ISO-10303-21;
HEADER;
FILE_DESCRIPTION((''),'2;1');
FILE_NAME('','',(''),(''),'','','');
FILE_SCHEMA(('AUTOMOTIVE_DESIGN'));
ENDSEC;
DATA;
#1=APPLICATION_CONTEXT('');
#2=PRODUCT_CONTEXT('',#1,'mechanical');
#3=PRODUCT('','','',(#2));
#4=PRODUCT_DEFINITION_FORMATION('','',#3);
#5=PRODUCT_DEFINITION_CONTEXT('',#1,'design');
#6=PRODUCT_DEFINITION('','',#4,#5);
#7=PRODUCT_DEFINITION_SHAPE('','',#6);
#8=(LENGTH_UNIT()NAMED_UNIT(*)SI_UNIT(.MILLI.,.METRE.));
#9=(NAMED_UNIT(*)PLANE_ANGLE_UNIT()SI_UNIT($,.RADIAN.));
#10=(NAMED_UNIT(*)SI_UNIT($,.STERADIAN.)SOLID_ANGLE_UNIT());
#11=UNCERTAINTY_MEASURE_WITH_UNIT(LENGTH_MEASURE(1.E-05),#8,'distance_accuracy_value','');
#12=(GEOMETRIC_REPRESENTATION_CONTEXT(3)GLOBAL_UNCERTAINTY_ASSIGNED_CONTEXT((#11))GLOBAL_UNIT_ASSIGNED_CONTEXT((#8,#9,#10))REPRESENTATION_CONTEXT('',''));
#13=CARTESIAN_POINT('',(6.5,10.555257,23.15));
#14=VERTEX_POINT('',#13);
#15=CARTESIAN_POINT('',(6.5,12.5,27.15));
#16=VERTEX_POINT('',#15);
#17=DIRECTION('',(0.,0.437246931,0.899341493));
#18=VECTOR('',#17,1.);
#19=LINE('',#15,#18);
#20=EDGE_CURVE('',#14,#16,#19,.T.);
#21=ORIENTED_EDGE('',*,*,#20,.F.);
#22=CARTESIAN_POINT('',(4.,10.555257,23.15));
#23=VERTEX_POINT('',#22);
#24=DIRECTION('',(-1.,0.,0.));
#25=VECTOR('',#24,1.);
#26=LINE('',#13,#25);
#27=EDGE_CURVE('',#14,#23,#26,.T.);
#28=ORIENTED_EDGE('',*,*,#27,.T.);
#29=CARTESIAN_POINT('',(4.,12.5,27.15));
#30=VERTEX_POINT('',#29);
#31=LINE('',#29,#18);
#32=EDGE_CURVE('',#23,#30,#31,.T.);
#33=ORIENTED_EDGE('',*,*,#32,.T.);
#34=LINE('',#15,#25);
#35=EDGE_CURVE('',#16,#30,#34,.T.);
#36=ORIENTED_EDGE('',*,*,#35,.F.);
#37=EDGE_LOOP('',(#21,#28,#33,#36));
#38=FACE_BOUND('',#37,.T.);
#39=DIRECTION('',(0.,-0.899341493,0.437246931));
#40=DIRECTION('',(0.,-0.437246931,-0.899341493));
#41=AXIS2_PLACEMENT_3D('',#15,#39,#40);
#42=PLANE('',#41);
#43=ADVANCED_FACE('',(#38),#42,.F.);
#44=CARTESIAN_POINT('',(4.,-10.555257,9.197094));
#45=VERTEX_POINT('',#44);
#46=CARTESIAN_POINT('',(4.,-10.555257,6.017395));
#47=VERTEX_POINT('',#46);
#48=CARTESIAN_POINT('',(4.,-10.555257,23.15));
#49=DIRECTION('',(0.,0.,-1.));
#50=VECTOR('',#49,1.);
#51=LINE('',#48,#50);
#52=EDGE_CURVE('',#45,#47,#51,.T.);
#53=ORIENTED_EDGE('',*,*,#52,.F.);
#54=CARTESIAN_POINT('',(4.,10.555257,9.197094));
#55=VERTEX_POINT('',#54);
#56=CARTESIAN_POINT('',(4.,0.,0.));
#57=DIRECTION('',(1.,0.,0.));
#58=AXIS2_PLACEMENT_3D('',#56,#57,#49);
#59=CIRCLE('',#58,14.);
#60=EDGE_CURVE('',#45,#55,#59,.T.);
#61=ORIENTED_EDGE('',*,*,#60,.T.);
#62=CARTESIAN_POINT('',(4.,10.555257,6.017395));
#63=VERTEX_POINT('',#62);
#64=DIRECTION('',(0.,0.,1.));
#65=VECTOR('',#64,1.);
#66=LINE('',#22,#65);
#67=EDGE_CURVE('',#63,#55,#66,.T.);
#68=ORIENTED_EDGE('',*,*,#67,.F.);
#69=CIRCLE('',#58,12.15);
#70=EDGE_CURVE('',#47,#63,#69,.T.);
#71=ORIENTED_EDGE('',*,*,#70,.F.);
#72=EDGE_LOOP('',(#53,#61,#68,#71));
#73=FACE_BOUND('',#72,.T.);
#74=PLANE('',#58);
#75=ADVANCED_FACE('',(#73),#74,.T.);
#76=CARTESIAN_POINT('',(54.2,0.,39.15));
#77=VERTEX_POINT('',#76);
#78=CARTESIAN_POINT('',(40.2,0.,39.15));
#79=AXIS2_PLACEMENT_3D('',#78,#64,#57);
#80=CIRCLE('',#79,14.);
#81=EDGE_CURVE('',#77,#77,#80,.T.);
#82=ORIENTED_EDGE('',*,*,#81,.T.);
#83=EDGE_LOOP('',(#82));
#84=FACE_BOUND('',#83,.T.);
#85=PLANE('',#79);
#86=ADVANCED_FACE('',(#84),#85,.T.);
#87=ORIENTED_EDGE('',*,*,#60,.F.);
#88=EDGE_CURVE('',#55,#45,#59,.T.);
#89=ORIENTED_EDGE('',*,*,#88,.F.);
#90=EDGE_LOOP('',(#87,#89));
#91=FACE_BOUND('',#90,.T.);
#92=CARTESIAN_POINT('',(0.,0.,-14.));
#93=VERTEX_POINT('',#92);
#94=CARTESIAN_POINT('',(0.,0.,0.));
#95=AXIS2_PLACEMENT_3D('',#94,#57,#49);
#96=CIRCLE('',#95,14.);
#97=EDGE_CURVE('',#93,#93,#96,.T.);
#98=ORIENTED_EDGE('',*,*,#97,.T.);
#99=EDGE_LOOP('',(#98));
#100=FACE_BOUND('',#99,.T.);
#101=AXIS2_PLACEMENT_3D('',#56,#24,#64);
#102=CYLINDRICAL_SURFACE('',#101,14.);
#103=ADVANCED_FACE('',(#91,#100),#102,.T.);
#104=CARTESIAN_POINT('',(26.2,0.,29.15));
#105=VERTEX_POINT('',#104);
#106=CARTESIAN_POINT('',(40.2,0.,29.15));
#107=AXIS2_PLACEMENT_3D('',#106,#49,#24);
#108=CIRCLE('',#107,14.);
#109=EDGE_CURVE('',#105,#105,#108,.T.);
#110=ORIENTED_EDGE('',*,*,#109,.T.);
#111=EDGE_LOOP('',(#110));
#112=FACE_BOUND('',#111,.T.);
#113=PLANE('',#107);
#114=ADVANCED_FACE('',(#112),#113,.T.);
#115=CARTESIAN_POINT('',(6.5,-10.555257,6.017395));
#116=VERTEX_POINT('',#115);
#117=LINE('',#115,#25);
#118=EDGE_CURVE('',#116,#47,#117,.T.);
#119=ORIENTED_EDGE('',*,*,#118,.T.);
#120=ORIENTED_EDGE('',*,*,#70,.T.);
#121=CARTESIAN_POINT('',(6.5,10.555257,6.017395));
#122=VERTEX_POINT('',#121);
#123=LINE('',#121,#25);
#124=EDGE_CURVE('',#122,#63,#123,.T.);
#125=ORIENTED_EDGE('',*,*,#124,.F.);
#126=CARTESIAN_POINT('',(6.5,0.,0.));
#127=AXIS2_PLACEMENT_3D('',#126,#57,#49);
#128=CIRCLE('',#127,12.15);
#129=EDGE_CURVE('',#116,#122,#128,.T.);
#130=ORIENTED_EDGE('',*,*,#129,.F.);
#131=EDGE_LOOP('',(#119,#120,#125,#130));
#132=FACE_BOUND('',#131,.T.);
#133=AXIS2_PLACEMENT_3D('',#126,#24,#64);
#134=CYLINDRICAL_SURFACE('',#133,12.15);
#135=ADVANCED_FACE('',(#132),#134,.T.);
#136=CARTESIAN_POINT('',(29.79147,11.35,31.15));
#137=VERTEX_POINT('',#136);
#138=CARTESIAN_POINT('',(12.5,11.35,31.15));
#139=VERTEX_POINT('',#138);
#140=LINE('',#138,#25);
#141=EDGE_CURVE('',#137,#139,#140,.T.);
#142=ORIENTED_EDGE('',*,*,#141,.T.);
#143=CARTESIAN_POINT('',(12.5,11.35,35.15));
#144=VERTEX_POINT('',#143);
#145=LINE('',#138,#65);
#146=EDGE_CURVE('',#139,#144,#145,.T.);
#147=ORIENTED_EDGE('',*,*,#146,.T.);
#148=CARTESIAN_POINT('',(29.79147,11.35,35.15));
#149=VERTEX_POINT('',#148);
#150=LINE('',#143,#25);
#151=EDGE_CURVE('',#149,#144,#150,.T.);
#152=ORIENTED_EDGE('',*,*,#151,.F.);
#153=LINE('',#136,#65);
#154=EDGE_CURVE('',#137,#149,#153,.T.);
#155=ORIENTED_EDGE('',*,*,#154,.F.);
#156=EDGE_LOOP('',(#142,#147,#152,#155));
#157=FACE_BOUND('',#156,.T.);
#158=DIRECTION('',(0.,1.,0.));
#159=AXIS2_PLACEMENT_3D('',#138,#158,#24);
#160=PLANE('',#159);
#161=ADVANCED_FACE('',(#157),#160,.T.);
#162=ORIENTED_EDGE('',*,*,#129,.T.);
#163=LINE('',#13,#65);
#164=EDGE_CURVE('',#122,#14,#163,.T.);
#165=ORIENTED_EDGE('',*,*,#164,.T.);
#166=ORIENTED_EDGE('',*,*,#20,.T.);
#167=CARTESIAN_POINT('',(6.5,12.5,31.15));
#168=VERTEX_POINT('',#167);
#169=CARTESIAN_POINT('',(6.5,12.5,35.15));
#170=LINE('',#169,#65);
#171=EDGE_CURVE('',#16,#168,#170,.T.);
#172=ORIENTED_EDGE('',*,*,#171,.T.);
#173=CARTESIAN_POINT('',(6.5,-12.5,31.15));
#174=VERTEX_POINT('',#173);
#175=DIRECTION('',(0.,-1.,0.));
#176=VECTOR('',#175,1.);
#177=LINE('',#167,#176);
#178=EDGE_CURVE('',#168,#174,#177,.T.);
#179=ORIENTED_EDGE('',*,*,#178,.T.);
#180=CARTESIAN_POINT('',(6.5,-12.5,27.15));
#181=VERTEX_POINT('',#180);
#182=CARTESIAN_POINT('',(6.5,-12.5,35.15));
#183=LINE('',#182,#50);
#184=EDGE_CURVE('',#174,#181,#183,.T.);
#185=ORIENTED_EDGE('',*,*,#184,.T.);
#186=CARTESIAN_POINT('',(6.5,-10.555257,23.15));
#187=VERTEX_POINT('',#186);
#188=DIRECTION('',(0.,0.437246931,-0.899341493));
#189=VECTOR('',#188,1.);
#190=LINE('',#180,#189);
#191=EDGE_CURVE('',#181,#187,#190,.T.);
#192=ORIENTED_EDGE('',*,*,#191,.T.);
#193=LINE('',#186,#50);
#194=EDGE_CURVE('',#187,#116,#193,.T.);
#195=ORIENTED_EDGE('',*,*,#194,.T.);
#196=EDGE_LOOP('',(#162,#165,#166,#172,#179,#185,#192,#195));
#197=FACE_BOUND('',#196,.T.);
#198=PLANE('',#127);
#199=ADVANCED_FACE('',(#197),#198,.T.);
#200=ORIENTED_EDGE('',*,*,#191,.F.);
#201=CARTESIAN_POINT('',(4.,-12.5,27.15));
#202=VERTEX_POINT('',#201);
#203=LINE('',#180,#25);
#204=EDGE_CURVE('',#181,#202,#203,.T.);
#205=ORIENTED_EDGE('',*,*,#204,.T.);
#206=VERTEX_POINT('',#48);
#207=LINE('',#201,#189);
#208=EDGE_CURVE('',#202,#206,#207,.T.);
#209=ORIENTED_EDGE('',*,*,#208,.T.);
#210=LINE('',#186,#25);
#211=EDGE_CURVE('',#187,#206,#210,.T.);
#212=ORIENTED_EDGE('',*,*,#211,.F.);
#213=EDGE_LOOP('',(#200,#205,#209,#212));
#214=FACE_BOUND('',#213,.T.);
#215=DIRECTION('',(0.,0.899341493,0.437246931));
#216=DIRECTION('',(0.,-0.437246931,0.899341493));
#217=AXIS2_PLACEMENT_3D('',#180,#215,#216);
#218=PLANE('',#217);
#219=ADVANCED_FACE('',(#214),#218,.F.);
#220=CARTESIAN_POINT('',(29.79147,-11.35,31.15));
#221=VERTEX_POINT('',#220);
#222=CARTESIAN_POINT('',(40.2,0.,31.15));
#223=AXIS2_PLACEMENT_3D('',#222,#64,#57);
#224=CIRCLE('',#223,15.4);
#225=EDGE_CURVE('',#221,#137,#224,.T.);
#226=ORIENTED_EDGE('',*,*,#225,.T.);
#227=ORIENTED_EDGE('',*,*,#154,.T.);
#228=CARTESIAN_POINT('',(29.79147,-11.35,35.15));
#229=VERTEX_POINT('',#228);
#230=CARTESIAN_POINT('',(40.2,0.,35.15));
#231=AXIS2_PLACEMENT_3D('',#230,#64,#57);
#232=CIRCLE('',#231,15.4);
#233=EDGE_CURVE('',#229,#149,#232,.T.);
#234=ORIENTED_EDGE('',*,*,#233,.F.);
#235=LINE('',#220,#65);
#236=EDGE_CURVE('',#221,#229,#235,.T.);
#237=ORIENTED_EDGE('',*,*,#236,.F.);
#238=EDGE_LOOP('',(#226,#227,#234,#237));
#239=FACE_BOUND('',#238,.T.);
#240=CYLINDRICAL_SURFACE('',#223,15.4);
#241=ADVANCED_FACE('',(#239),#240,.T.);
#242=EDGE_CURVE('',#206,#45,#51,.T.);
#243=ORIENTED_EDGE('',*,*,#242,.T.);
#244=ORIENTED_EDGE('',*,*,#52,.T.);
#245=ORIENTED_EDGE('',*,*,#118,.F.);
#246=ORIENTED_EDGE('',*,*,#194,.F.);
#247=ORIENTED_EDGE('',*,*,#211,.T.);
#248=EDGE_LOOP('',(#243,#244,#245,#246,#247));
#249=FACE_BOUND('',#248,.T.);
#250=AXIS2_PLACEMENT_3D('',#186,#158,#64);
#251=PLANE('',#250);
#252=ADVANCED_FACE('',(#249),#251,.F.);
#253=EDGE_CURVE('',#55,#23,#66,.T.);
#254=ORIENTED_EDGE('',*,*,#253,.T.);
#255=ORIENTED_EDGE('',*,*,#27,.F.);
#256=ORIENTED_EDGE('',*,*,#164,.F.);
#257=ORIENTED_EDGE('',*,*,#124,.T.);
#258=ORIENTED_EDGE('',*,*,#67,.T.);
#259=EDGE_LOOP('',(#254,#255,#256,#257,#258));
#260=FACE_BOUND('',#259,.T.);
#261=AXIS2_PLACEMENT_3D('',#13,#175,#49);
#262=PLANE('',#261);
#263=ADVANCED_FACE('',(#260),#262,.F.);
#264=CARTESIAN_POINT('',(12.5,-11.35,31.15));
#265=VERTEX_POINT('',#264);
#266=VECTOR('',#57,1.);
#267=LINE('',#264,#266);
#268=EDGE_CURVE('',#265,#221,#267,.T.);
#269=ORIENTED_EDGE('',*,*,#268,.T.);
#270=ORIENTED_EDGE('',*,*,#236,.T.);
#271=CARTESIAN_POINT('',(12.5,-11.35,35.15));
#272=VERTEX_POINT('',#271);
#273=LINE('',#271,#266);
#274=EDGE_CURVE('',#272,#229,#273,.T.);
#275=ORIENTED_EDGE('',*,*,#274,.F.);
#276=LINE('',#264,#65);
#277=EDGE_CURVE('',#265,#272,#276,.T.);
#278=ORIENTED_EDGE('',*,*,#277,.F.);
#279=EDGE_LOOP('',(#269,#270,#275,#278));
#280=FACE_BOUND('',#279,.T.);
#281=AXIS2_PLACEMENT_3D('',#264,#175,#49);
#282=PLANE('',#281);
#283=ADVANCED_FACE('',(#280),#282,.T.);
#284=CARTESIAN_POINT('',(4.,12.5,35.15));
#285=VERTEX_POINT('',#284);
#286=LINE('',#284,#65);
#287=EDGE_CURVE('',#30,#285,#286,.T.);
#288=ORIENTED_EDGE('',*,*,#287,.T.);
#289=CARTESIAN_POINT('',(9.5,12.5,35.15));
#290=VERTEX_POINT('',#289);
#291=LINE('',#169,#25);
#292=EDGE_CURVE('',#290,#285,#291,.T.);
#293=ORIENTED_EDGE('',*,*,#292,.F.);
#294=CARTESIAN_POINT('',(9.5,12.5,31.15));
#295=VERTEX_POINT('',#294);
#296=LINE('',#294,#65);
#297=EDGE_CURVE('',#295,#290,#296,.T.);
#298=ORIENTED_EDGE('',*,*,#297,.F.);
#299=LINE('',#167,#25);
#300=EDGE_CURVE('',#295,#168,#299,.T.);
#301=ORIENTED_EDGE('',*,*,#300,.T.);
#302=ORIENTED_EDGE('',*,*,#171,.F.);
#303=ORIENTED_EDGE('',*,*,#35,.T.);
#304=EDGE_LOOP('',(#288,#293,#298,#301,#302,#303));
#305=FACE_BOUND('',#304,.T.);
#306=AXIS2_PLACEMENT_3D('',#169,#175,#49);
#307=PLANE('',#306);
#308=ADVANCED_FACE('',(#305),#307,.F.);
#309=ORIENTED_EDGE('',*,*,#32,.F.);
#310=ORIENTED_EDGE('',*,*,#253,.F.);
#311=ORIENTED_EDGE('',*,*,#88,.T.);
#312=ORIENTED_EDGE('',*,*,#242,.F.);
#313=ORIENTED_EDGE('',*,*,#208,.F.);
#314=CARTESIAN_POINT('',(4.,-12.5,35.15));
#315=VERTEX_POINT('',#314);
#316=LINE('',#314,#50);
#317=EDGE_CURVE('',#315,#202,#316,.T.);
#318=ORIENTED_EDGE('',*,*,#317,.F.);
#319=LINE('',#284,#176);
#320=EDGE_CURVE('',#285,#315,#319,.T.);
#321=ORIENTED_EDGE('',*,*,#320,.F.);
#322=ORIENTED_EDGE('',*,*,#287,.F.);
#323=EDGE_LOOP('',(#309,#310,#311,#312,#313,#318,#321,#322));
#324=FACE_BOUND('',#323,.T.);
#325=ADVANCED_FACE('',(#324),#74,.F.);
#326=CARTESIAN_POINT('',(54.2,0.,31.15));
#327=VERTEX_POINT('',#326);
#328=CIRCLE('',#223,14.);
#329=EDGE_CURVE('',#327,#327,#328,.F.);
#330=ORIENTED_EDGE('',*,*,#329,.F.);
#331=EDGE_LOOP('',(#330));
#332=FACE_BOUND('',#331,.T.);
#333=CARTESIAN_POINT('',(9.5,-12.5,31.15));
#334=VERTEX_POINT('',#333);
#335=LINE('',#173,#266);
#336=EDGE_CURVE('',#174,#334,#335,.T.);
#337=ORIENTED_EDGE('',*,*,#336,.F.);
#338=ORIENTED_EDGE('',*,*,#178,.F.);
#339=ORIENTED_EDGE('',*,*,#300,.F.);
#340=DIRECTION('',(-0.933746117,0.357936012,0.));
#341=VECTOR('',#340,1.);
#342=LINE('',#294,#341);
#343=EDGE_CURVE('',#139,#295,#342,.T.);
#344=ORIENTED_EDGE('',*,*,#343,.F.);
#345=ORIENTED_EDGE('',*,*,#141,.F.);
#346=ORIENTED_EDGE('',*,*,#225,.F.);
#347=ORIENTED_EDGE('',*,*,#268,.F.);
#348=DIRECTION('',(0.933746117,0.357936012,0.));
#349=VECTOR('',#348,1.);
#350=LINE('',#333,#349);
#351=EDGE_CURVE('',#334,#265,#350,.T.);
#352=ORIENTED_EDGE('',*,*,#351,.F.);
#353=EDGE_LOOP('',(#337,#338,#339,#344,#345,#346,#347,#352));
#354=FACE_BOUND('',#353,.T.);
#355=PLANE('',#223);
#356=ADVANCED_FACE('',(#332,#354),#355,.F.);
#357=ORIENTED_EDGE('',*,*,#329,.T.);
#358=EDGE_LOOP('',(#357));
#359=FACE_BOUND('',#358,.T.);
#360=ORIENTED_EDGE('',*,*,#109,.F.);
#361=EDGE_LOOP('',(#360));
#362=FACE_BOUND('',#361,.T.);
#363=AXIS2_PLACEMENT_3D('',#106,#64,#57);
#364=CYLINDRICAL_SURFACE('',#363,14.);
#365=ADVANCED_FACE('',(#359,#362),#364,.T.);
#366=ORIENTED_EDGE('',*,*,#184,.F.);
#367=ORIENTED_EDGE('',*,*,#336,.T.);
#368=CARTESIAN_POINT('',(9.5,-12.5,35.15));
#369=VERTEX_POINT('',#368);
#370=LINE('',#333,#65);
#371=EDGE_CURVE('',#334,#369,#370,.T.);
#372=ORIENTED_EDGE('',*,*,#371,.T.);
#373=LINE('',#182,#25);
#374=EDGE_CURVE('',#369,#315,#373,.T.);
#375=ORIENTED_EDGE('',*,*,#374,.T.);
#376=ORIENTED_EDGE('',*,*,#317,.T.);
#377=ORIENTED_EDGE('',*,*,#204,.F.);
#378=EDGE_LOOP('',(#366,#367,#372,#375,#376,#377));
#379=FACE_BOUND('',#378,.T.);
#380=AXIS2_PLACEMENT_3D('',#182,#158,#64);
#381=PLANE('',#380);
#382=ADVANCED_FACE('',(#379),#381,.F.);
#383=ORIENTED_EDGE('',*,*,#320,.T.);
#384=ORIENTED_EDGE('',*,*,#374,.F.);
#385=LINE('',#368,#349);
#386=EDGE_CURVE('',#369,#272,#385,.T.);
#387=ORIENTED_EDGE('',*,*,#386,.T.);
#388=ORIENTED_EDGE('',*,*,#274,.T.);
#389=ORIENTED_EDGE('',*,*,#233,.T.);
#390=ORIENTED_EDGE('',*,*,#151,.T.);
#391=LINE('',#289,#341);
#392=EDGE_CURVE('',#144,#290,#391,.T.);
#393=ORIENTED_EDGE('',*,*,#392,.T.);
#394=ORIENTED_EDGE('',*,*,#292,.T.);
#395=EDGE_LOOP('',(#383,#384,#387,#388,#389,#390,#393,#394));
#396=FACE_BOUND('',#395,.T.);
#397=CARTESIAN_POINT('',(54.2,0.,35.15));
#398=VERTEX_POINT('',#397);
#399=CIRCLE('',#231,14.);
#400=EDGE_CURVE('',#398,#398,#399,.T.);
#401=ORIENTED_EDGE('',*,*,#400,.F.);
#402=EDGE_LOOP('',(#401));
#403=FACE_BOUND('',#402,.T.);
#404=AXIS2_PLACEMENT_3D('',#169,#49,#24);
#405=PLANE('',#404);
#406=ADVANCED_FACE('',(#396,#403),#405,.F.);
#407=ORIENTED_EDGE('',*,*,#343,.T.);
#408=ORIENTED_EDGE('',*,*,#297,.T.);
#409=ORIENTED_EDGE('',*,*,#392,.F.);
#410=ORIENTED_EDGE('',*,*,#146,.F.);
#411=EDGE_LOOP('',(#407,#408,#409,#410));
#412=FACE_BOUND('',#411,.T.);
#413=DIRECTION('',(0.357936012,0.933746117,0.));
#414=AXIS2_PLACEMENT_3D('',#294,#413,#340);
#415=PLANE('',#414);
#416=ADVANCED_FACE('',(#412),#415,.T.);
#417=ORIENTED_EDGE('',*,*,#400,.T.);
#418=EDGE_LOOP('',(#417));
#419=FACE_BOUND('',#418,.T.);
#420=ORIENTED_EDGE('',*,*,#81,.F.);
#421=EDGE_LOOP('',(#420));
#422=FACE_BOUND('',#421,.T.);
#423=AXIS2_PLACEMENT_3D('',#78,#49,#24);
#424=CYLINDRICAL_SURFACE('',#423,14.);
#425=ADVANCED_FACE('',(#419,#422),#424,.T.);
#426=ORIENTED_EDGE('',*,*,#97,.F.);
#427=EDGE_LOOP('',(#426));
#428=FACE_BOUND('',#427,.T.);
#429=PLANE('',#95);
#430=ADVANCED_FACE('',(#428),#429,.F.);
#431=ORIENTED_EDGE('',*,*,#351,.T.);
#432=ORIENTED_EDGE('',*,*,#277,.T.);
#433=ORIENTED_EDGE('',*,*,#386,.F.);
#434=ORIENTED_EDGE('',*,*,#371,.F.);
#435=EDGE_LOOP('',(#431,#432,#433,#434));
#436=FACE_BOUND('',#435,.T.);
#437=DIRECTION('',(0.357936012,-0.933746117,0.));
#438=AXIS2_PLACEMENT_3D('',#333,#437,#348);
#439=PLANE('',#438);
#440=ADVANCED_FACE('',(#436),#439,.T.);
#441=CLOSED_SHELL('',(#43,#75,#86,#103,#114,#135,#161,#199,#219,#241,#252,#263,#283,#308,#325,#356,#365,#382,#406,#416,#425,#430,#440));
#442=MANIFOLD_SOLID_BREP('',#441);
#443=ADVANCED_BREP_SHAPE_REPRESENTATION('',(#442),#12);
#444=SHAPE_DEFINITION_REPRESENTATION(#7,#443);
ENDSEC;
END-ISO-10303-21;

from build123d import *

# Parameters (mm, degrees)
SKETCH2_R           = 14
BOSS_EXTRUDE1_DEPTH = 4
BOSS_EXTRUDE2_DEPTH = 2.5
BOSS_EXTRUDE3_DEPTH = 4
SKETCH5_R           = 14
BOSS_EXTRUDE4_DEPTH = 4
BOSS_EXTRUDE5_START = 2
SKETCH6_R           = 14
BOSS_EXTRUDE5_DEPTH = 2


with BuildPart() as part:
    # Sketch2 → Boss-Extrude1 (new body)
    with BuildSketch(Plane(origin=(0, 0, 0), x_dir=(0, 0, -1), z_dir=(1, 0, 0))):
        Circle(SKETCH2_R)
    extrude(amount=BOSS_EXTRUDE1_DEPTH)

    # Sketch3 → Boss-Extrude2 (add)
    with BuildSketch(Plane(origin=(4, 0, 0), x_dir=(0, 0, -1), z_dir=(1, 0, 0))):
        with BuildLine():
            Line((-35.15, 12.5), (-35.15, -12.5))
            Line((-35.15, -12.5), (-27.15, -12.5))
            Line((-27.15, -12.5), (-23.15, -10.555257391))
            Line((-23.15, -10.555257391), (-6.017394902, -10.555257391))
            ThreePointArc((-6.017394902, -10.555257391), (12.15, 0), (-6.017394902, 10.555257391))
            Line((-6.017394902, 10.555257391), (-23.15, 10.555257391))
            Line((-23.15, 10.555257391), (-27.15, 12.5))
            Line((-27.15, 12.5), (-35.15, 12.5))
        make_face()
    extrude(amount=BOSS_EXTRUDE2_DEPTH)

    # Sketch4 → Boss-Extrude3 (add)
    with BuildSketch(Plane.XY.offset(35.15)):
        with BuildLine():
            Line((12.5, -11.35), (29.791469844, -11.35))
            ThreePointArc((29.791469844, -11.35), (55.6, 0), (29.791469844, 11.35))
            Line((29.791469844, 11.35), (12.5, 11.35))
            Line((12.5, 11.35), (9.5, 12.5))
            Line((9.5, 12.5), (6.5, 12.5))
            Line((6.5, 12.5), (6.5, -12.5))
            Line((6.5, -12.5), (9.5, -12.5))
            Line((9.5, -12.5), (12.5, -11.35))
        make_face()
    extrude(amount=-BOSS_EXTRUDE3_DEPTH)

    # Sketch5 → Boss-Extrude4 (add)
    with BuildSketch(Plane.XY.offset(35.15)):
        with Locations((40.2, 0)):
            Circle(SKETCH5_R)
    extrude(amount=BOSS_EXTRUDE4_DEPTH)

    # Sketch6 → Boss-Extrude5 (add)
    with BuildSketch(Plane(origin=(0, 0, 31.15), x_dir=(-1, 0, 0), z_dir=(0, 0, -1)).offset(BOSS_EXTRUDE5_START)):
        with Locations(Location((-40.2, 0, 0), (0, 0, 180))):
            Circle(SKETCH6_R)
    extrude(amount=-BOSS_EXTRUDE5_DEPTH)


solid = part.part
